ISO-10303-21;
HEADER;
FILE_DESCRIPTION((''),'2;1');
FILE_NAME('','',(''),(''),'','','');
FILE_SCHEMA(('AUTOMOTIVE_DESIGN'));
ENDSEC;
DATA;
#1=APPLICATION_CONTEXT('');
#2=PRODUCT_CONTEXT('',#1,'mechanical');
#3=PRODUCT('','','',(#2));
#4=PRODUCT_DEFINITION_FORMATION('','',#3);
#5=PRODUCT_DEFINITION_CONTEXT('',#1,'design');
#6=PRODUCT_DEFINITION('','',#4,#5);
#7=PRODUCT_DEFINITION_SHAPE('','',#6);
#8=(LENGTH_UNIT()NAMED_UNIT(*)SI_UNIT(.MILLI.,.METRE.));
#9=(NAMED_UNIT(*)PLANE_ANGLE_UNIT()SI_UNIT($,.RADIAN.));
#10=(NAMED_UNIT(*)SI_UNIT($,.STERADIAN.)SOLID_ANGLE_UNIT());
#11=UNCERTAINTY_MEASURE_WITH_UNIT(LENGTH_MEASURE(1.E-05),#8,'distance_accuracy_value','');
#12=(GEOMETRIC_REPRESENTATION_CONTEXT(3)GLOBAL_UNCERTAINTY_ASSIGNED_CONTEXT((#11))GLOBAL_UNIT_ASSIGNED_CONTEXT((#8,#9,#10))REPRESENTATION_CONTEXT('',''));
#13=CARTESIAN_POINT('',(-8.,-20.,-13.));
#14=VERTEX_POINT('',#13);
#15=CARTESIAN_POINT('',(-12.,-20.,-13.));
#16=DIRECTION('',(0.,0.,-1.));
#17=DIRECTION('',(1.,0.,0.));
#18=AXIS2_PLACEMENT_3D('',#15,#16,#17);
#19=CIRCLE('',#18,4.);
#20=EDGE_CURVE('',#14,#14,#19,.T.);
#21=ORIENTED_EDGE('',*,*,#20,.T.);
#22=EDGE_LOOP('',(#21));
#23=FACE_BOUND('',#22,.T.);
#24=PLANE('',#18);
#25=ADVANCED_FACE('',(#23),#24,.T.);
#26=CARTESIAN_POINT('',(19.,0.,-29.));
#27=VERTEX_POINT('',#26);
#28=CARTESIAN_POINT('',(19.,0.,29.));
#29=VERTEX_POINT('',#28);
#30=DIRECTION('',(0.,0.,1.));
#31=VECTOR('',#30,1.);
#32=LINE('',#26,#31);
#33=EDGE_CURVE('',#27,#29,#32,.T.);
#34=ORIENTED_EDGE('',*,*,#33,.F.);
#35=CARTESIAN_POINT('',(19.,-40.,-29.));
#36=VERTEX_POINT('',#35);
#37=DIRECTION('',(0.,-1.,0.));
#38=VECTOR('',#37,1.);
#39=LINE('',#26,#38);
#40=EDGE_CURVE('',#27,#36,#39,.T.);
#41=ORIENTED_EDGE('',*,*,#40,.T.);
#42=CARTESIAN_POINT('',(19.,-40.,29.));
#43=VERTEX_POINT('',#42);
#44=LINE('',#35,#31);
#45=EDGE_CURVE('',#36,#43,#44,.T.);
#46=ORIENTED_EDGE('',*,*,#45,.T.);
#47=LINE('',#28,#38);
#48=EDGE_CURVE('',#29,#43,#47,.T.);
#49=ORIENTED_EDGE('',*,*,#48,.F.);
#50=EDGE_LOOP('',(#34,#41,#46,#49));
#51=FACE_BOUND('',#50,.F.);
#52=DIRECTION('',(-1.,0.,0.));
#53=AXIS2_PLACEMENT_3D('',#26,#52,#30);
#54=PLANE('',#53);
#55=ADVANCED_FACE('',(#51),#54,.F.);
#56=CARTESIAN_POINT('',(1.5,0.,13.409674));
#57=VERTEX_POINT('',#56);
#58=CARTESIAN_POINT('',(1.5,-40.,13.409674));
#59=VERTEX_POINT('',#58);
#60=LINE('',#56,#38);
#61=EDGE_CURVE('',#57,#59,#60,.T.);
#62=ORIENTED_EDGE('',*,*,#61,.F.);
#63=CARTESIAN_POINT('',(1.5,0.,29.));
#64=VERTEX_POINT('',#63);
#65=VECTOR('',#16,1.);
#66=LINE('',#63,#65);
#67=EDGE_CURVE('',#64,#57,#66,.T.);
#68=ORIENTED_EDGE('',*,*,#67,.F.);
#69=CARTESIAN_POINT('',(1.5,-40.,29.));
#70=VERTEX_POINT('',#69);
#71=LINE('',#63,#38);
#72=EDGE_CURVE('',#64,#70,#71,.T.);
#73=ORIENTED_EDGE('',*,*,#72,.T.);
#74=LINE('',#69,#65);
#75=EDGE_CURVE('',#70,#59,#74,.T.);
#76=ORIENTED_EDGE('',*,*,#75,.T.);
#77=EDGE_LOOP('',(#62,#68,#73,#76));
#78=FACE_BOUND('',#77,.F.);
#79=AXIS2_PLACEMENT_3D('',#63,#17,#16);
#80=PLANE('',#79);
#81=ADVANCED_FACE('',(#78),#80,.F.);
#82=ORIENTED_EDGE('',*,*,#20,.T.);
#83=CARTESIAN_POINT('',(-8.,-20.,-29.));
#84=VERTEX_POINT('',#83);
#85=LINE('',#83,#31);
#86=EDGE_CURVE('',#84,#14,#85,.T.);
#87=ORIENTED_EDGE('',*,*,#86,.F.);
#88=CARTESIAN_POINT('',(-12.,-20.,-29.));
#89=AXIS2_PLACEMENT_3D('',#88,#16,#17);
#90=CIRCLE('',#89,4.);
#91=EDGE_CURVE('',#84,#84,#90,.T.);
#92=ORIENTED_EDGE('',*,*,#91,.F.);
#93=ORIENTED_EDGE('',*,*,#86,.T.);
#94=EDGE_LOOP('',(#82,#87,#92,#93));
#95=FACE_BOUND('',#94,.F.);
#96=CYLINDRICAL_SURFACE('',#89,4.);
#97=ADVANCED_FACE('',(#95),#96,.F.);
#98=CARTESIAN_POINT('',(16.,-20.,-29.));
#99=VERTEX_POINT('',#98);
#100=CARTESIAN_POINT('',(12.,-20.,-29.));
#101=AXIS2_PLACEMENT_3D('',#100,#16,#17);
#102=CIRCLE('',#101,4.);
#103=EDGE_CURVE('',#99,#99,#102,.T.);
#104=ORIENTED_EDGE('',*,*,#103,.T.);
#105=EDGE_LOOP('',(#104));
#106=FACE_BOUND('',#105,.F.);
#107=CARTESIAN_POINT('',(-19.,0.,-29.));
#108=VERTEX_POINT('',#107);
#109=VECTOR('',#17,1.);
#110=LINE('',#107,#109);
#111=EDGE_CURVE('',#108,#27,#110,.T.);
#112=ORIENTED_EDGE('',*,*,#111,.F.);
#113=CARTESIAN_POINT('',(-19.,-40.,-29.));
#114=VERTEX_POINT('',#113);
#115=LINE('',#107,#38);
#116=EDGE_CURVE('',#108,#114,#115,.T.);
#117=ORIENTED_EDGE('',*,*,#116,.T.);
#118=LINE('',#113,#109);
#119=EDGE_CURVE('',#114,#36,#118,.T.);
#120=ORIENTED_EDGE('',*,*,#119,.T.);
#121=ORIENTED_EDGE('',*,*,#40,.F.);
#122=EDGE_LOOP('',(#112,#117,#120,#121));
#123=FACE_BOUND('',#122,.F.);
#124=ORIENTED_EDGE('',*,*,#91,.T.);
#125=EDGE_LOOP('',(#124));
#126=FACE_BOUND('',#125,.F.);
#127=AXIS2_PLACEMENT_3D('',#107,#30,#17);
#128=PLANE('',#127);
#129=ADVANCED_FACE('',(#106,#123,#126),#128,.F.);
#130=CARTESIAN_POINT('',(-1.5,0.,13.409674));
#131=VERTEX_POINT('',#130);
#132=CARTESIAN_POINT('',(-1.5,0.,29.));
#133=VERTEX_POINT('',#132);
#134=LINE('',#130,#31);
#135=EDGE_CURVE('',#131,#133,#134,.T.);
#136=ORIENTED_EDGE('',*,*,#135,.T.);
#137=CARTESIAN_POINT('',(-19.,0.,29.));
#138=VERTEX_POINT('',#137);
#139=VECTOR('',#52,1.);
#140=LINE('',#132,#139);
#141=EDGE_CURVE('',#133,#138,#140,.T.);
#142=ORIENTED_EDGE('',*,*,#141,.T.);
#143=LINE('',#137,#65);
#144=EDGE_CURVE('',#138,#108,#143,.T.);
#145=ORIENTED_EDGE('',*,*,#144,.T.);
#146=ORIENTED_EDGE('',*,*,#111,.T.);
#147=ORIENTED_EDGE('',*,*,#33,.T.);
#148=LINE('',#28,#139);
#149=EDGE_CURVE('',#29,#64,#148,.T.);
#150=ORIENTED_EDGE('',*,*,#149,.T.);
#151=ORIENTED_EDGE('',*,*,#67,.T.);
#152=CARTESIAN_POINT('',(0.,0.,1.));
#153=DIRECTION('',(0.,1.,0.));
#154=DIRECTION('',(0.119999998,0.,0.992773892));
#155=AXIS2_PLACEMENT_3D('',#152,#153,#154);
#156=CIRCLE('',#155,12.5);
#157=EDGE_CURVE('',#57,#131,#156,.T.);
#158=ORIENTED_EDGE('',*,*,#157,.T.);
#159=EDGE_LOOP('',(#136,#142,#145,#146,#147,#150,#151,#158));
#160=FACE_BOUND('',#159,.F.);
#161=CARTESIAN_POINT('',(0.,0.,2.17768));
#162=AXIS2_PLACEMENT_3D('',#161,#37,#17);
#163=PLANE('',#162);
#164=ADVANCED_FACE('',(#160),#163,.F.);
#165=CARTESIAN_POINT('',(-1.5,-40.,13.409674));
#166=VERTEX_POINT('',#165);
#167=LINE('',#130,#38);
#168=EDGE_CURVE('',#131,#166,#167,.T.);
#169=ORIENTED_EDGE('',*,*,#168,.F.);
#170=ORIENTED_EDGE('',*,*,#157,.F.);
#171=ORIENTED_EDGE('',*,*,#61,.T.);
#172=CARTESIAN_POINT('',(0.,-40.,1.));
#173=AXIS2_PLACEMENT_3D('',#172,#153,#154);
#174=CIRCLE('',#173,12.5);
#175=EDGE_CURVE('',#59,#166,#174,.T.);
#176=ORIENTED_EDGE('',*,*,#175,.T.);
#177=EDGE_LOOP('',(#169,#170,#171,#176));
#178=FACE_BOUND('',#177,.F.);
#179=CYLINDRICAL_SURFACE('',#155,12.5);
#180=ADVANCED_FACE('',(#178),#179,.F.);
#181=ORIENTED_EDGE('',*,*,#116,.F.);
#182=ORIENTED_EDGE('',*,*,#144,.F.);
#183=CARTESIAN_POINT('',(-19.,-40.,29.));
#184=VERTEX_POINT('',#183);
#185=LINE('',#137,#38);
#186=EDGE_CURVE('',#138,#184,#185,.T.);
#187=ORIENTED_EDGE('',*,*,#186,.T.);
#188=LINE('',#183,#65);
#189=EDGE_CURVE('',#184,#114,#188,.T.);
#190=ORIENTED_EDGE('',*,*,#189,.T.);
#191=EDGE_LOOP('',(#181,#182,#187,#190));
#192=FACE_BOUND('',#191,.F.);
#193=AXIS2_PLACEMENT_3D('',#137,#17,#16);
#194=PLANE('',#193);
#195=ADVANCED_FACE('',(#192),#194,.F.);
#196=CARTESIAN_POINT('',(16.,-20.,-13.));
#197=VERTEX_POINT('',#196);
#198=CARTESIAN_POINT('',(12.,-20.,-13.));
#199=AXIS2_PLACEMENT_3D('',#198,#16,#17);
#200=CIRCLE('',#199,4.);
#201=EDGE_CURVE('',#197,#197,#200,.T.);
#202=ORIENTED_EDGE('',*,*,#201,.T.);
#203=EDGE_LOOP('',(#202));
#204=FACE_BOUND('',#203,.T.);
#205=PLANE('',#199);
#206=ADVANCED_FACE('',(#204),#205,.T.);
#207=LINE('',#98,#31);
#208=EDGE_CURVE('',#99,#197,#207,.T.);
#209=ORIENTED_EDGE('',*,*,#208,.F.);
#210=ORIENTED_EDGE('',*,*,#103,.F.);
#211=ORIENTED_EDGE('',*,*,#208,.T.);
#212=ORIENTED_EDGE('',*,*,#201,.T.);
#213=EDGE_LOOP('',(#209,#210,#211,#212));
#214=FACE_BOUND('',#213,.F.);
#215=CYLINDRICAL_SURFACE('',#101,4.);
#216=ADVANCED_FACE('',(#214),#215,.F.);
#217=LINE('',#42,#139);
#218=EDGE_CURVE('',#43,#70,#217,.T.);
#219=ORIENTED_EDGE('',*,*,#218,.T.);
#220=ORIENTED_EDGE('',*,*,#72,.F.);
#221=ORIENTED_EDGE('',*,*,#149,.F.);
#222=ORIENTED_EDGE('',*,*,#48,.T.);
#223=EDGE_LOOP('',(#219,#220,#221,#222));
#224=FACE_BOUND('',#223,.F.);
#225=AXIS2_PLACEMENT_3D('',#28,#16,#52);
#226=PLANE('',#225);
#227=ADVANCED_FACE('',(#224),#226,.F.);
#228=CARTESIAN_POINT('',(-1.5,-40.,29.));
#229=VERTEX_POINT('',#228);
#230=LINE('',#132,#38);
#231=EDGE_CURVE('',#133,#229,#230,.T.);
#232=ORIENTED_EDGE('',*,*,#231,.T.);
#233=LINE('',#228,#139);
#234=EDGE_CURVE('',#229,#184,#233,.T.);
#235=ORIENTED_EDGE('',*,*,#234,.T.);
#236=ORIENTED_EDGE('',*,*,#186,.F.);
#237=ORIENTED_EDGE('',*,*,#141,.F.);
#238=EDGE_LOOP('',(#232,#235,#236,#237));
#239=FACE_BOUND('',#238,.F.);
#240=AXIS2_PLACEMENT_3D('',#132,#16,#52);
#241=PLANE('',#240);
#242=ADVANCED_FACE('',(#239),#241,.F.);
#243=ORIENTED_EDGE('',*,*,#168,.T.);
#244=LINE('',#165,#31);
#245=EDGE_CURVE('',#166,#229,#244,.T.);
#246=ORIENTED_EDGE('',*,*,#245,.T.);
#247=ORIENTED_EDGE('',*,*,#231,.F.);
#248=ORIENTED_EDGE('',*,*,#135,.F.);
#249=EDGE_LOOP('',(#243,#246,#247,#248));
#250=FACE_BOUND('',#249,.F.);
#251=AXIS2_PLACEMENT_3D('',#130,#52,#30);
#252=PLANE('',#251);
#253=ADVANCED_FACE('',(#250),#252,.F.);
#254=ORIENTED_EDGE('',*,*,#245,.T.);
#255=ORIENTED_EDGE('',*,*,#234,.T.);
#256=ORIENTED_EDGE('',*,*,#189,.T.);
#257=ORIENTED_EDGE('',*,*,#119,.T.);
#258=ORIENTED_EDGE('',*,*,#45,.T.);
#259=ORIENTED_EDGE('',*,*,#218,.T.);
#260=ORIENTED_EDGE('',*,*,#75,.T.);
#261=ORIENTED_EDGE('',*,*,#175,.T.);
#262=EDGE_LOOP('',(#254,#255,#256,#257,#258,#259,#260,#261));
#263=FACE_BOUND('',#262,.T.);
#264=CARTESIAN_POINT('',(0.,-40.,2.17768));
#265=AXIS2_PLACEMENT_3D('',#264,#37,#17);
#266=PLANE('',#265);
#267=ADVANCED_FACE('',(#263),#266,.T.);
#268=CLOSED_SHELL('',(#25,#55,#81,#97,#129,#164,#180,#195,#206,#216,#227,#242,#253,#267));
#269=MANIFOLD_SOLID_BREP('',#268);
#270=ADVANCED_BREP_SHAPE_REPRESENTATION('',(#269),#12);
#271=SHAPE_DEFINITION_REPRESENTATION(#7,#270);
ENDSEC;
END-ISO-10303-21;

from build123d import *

# Parameters (mm, degrees)
F1_DEPTH = 40
F2_R     = 4
F3_DEPTH = 16


with BuildPart() as f1:
    # F0 (on Front) → F1 (new body)
    with BuildSketch(Plane.XZ):
        with BuildLine():
            Line((19, -29), (19, 29))
            Line((19, 29), (1.5, 29))
            Line((1.5, 29), (1.5, 13.409674))
            ThreePointArc((1.5, 13.409674), (0, -11.5), (-1.5, 13.409674))
            Line((-1.5, 13.409674), (-1.5, 29))
            Line((-1.5, 29), (-19, 29))
            Line((-19, 29), (-19, -29))
            Line((-19, -29), (19, -29))
        make_face()
    extrude(amount=F1_DEPTH)

    # F2 (on face) → F3 (cut)
    with BuildSketch(Plane(origin=(0, 0, -29), x_dir=(1, 0, 0), z_dir=(0, 0, -1))):
        with Locations((-12, 20)):
            Circle(F2_R)
        with Locations((12, 20)):
            Circle(F2_R)
    extrude(amount=-F3_DEPTH, mode=Mode.SUBTRACT)


solid = f1.part
